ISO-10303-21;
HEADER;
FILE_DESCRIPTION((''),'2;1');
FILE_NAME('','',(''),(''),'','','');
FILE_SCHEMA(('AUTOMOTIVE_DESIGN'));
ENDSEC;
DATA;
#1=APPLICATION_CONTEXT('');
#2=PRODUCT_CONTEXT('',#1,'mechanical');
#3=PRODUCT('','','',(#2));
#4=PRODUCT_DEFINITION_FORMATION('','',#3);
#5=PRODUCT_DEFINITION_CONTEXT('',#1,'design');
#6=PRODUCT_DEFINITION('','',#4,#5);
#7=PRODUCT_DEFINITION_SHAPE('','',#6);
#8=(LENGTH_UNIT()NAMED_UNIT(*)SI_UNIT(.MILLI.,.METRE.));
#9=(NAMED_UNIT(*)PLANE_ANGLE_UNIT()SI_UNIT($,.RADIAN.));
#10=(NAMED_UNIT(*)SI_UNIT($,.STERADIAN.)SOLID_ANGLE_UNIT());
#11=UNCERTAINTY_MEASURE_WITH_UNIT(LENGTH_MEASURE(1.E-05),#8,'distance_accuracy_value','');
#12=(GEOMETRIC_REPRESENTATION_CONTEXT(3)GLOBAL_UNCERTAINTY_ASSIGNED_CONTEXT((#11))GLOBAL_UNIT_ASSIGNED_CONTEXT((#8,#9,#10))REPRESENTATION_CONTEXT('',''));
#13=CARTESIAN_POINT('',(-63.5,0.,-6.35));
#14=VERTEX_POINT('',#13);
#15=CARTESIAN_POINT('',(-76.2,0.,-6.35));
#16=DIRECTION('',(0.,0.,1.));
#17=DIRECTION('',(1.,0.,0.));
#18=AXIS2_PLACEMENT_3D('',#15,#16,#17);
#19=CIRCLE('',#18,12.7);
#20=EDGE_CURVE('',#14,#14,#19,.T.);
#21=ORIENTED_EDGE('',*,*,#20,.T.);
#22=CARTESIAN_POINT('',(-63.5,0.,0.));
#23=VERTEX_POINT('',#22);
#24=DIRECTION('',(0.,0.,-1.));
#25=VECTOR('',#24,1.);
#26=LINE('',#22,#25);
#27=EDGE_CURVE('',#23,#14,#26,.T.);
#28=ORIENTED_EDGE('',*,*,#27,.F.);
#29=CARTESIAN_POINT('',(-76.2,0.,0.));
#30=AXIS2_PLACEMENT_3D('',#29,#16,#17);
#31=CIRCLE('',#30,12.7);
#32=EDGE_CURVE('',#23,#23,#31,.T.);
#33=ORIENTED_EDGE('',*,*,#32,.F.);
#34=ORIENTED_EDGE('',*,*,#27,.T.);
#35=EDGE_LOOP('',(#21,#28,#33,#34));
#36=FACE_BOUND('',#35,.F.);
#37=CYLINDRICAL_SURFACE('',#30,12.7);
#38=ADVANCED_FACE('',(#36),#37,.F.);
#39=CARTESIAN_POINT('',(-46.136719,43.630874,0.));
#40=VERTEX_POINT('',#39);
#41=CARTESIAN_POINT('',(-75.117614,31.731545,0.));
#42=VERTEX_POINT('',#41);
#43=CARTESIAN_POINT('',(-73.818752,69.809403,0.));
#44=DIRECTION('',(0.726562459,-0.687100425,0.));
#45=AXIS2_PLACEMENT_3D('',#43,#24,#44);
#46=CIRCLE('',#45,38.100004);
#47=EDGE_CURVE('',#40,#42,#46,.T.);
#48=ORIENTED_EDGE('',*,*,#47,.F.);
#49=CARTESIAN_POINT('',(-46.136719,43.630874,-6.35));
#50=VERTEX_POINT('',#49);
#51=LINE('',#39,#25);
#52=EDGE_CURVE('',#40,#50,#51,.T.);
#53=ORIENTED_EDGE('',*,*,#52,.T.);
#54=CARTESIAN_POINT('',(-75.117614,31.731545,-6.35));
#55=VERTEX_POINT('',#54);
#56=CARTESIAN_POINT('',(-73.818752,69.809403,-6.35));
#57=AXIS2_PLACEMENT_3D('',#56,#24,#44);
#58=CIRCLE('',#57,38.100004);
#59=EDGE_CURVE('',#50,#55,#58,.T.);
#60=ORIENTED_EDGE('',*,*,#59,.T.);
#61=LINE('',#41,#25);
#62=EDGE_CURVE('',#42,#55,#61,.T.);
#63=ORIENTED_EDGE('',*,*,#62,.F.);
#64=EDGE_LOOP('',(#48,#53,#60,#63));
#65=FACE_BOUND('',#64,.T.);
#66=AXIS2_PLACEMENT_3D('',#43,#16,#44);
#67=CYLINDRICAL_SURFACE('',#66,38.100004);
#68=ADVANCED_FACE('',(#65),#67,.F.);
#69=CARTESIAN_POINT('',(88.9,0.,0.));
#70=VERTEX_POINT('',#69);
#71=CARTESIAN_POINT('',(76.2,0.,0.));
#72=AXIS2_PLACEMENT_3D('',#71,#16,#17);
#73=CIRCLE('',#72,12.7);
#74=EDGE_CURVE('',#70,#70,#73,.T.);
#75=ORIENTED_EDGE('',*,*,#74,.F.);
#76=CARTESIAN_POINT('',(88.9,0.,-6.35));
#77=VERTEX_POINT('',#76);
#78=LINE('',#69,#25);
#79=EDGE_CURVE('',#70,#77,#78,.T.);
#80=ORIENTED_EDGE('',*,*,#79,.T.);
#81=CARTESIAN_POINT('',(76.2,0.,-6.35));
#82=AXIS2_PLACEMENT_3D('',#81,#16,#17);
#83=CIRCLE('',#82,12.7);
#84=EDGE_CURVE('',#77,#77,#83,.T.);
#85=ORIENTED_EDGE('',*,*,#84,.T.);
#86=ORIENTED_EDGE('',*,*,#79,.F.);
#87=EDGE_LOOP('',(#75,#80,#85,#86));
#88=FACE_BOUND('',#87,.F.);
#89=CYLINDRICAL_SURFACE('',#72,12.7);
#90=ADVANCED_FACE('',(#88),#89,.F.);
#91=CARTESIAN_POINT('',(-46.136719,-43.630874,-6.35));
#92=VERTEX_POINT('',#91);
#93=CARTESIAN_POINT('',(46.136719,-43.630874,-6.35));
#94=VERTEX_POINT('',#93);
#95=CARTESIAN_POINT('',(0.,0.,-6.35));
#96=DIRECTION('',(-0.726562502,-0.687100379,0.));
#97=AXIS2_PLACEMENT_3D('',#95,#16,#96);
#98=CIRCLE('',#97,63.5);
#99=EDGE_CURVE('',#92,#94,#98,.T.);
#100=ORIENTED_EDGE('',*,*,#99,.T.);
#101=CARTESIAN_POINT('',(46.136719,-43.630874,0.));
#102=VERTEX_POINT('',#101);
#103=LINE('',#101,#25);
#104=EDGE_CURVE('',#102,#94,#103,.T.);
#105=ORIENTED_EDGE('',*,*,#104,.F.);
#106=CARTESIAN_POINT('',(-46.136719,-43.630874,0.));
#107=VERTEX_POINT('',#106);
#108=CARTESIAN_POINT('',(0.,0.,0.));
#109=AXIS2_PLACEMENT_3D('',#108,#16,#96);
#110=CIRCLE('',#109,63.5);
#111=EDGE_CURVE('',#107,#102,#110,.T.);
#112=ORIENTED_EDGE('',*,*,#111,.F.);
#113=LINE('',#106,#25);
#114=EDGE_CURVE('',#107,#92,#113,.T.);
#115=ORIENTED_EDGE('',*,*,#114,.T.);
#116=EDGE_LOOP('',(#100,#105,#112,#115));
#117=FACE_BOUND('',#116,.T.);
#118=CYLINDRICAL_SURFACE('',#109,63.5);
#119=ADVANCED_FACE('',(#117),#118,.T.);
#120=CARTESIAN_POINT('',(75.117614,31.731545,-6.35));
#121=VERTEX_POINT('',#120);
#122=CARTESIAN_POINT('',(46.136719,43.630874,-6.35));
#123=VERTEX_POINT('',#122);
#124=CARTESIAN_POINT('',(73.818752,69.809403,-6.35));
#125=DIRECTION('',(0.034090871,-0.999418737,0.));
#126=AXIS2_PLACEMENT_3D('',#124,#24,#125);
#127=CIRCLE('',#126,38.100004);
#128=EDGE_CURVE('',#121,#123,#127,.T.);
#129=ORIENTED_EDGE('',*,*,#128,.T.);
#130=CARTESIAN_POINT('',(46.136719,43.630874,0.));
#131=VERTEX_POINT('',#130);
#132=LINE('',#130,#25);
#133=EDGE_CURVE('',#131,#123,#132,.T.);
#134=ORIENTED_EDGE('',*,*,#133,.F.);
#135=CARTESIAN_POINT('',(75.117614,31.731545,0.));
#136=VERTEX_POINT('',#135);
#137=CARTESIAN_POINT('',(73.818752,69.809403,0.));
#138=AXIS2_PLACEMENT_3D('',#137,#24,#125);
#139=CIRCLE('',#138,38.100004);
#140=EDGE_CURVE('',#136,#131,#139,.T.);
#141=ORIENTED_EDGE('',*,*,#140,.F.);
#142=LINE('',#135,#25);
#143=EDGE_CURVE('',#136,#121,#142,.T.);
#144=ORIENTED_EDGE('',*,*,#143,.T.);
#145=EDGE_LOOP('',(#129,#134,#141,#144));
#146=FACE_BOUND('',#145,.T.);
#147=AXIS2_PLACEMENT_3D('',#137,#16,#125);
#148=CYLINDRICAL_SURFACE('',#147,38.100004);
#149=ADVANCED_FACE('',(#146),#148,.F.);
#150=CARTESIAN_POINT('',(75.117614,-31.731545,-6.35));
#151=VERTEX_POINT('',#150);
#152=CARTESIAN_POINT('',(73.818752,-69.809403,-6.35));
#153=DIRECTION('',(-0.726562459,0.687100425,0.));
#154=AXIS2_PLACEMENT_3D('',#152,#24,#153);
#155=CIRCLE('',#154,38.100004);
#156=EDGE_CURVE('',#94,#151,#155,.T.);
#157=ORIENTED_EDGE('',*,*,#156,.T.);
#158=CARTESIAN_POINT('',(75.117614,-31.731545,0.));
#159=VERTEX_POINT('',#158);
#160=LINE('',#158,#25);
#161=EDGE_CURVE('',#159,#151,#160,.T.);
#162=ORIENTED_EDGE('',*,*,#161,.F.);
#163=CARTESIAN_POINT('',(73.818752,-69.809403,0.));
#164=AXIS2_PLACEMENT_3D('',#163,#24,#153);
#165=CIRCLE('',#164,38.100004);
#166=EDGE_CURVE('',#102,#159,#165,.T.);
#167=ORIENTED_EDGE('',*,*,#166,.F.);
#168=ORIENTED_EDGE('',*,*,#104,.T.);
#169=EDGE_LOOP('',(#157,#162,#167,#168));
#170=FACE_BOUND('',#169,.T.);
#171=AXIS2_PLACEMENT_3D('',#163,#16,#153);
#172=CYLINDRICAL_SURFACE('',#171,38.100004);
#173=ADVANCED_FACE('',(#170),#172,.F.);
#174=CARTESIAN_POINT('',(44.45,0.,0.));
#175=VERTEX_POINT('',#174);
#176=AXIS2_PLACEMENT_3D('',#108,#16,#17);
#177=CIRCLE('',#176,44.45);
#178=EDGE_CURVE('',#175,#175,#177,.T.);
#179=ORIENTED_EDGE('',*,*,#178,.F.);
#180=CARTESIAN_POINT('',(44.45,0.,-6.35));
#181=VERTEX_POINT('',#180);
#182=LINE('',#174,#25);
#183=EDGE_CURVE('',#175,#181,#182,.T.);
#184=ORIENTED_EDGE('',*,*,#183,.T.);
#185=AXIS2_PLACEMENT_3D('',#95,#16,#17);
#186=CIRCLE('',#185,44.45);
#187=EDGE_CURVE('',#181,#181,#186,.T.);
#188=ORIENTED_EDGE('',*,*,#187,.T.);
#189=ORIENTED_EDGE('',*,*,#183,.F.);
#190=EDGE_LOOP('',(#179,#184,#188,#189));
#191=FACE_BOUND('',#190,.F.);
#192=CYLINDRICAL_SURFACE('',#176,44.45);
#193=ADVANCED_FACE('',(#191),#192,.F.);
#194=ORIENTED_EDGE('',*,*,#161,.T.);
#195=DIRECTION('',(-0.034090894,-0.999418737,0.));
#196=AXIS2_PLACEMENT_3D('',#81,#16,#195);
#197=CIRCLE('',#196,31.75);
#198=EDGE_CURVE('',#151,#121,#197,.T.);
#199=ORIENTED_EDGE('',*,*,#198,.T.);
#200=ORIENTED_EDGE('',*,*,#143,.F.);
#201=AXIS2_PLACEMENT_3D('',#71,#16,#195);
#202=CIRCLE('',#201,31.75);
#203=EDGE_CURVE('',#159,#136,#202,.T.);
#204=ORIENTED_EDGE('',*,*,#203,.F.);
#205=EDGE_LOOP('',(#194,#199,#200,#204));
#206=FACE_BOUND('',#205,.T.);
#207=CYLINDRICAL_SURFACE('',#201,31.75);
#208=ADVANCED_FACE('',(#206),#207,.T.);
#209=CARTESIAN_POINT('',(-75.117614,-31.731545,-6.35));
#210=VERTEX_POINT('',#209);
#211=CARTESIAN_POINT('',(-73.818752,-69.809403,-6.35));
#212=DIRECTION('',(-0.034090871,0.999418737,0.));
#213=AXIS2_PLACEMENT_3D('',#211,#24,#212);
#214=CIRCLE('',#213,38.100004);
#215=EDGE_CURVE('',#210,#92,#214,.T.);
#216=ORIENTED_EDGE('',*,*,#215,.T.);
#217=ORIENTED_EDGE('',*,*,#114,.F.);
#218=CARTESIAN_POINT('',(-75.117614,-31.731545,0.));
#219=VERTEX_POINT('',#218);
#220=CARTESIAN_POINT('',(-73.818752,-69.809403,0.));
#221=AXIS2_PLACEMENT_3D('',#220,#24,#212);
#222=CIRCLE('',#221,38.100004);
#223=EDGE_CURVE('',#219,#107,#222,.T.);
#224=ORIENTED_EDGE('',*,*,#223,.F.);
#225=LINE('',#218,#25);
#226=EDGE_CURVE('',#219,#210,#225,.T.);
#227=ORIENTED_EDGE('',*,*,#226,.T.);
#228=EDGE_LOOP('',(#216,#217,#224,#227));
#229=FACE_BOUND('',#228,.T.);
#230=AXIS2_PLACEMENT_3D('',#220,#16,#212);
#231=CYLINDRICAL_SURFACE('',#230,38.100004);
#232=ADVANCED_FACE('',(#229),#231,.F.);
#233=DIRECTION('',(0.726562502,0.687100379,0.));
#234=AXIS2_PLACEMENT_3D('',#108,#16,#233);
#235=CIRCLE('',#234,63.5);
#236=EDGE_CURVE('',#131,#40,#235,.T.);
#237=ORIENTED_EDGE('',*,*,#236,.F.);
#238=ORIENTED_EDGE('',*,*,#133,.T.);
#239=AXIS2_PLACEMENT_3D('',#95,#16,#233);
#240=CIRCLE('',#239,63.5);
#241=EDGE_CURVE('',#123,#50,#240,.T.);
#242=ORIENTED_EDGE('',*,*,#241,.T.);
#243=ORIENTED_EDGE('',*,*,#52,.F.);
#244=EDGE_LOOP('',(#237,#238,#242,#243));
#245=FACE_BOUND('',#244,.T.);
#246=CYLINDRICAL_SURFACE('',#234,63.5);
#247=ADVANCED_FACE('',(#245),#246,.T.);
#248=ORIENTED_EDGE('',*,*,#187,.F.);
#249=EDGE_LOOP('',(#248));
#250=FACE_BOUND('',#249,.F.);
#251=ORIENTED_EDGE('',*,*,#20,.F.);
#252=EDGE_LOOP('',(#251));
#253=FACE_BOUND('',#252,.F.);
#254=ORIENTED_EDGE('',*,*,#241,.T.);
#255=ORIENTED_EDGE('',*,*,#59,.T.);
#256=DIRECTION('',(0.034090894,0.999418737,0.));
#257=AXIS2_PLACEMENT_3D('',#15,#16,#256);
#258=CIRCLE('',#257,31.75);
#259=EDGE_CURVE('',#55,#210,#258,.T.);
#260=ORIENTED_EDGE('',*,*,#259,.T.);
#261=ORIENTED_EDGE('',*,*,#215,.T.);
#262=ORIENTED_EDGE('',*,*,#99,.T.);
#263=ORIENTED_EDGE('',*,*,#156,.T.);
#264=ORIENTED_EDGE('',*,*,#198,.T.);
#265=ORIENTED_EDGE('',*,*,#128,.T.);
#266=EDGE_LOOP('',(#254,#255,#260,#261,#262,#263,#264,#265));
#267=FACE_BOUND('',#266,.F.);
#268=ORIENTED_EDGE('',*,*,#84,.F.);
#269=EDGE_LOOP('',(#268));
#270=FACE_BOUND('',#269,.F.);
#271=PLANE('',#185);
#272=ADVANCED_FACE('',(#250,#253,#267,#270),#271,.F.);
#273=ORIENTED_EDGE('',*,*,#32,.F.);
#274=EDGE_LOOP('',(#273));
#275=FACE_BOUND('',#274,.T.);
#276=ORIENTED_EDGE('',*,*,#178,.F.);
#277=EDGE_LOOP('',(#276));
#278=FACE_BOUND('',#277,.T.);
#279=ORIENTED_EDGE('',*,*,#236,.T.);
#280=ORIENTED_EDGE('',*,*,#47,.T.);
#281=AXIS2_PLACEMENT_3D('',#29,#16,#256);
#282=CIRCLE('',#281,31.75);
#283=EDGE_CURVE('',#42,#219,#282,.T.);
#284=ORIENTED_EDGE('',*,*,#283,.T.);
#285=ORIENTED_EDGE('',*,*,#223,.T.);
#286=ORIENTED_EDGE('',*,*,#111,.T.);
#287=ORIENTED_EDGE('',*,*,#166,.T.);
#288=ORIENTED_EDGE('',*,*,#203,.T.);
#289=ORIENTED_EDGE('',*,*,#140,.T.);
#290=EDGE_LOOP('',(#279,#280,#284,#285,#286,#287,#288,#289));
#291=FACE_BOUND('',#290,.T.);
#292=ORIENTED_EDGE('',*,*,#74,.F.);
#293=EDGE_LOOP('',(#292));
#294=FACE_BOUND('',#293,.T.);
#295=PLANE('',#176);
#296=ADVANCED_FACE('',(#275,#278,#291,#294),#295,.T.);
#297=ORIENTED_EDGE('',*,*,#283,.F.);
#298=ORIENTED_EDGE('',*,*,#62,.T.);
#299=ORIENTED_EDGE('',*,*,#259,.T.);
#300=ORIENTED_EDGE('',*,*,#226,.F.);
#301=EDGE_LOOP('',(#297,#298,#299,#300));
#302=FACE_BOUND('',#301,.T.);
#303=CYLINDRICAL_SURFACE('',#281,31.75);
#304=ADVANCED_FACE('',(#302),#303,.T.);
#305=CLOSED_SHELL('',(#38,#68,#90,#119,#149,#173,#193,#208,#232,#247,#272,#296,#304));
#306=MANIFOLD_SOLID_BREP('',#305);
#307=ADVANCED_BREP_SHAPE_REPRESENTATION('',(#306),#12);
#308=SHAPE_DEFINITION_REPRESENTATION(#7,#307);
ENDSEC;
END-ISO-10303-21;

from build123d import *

# Parameters (mm, degrees)
F0_R     = 12.7
F0_R_2   = 44.45
F1_DEPTH = 6.35


with BuildPart() as f1:
    # F0 (on Top) → F1 (new body)
    with BuildSketch(Plane.XY):
        with BuildLine():
            ThreePointArc((-46.136719, 43.630874), (-59.347524, 34.564632), (-75.117614, 31.731545))
            ThreePointArc((-75.117614, 31.731545), (-107.95, 0), (-75.117614, -31.731545))
            ThreePointArc((-75.117614, -31.731545), (-59.347524, -34.564632), (-46.136719, -43.630874))
            ThreePointArc((-46.136719, -43.630874), (0, -63.5), (46.136719, -43.630874))
            ThreePointArc((46.136719, -43.630874), (59.347524, -34.564632), (75.117614, -31.731545))
            ThreePointArc((75.117614, -31.731545), (107.95, 0), (75.117614, 31.731545))
            ThreePointArc((75.117614, 31.731545), (59.347524, 34.564632), (46.136719, 43.630874))
            ThreePointArc((46.136719, 43.630874), (0, 63.5), (-46.136719, 43.630874))
        make_face()
        with Locations((-76.2, 0)):
            Circle(F0_R, mode=Mode.SUBTRACT)
        Circle(F0_R_2, mode=Mode.SUBTRACT)
        with Locations((76.2, 0)):
            Circle(F0_R, mode=Mode.SUBTRACT)
    extrude(amount=-F1_DEPTH)


solid = f1.part
